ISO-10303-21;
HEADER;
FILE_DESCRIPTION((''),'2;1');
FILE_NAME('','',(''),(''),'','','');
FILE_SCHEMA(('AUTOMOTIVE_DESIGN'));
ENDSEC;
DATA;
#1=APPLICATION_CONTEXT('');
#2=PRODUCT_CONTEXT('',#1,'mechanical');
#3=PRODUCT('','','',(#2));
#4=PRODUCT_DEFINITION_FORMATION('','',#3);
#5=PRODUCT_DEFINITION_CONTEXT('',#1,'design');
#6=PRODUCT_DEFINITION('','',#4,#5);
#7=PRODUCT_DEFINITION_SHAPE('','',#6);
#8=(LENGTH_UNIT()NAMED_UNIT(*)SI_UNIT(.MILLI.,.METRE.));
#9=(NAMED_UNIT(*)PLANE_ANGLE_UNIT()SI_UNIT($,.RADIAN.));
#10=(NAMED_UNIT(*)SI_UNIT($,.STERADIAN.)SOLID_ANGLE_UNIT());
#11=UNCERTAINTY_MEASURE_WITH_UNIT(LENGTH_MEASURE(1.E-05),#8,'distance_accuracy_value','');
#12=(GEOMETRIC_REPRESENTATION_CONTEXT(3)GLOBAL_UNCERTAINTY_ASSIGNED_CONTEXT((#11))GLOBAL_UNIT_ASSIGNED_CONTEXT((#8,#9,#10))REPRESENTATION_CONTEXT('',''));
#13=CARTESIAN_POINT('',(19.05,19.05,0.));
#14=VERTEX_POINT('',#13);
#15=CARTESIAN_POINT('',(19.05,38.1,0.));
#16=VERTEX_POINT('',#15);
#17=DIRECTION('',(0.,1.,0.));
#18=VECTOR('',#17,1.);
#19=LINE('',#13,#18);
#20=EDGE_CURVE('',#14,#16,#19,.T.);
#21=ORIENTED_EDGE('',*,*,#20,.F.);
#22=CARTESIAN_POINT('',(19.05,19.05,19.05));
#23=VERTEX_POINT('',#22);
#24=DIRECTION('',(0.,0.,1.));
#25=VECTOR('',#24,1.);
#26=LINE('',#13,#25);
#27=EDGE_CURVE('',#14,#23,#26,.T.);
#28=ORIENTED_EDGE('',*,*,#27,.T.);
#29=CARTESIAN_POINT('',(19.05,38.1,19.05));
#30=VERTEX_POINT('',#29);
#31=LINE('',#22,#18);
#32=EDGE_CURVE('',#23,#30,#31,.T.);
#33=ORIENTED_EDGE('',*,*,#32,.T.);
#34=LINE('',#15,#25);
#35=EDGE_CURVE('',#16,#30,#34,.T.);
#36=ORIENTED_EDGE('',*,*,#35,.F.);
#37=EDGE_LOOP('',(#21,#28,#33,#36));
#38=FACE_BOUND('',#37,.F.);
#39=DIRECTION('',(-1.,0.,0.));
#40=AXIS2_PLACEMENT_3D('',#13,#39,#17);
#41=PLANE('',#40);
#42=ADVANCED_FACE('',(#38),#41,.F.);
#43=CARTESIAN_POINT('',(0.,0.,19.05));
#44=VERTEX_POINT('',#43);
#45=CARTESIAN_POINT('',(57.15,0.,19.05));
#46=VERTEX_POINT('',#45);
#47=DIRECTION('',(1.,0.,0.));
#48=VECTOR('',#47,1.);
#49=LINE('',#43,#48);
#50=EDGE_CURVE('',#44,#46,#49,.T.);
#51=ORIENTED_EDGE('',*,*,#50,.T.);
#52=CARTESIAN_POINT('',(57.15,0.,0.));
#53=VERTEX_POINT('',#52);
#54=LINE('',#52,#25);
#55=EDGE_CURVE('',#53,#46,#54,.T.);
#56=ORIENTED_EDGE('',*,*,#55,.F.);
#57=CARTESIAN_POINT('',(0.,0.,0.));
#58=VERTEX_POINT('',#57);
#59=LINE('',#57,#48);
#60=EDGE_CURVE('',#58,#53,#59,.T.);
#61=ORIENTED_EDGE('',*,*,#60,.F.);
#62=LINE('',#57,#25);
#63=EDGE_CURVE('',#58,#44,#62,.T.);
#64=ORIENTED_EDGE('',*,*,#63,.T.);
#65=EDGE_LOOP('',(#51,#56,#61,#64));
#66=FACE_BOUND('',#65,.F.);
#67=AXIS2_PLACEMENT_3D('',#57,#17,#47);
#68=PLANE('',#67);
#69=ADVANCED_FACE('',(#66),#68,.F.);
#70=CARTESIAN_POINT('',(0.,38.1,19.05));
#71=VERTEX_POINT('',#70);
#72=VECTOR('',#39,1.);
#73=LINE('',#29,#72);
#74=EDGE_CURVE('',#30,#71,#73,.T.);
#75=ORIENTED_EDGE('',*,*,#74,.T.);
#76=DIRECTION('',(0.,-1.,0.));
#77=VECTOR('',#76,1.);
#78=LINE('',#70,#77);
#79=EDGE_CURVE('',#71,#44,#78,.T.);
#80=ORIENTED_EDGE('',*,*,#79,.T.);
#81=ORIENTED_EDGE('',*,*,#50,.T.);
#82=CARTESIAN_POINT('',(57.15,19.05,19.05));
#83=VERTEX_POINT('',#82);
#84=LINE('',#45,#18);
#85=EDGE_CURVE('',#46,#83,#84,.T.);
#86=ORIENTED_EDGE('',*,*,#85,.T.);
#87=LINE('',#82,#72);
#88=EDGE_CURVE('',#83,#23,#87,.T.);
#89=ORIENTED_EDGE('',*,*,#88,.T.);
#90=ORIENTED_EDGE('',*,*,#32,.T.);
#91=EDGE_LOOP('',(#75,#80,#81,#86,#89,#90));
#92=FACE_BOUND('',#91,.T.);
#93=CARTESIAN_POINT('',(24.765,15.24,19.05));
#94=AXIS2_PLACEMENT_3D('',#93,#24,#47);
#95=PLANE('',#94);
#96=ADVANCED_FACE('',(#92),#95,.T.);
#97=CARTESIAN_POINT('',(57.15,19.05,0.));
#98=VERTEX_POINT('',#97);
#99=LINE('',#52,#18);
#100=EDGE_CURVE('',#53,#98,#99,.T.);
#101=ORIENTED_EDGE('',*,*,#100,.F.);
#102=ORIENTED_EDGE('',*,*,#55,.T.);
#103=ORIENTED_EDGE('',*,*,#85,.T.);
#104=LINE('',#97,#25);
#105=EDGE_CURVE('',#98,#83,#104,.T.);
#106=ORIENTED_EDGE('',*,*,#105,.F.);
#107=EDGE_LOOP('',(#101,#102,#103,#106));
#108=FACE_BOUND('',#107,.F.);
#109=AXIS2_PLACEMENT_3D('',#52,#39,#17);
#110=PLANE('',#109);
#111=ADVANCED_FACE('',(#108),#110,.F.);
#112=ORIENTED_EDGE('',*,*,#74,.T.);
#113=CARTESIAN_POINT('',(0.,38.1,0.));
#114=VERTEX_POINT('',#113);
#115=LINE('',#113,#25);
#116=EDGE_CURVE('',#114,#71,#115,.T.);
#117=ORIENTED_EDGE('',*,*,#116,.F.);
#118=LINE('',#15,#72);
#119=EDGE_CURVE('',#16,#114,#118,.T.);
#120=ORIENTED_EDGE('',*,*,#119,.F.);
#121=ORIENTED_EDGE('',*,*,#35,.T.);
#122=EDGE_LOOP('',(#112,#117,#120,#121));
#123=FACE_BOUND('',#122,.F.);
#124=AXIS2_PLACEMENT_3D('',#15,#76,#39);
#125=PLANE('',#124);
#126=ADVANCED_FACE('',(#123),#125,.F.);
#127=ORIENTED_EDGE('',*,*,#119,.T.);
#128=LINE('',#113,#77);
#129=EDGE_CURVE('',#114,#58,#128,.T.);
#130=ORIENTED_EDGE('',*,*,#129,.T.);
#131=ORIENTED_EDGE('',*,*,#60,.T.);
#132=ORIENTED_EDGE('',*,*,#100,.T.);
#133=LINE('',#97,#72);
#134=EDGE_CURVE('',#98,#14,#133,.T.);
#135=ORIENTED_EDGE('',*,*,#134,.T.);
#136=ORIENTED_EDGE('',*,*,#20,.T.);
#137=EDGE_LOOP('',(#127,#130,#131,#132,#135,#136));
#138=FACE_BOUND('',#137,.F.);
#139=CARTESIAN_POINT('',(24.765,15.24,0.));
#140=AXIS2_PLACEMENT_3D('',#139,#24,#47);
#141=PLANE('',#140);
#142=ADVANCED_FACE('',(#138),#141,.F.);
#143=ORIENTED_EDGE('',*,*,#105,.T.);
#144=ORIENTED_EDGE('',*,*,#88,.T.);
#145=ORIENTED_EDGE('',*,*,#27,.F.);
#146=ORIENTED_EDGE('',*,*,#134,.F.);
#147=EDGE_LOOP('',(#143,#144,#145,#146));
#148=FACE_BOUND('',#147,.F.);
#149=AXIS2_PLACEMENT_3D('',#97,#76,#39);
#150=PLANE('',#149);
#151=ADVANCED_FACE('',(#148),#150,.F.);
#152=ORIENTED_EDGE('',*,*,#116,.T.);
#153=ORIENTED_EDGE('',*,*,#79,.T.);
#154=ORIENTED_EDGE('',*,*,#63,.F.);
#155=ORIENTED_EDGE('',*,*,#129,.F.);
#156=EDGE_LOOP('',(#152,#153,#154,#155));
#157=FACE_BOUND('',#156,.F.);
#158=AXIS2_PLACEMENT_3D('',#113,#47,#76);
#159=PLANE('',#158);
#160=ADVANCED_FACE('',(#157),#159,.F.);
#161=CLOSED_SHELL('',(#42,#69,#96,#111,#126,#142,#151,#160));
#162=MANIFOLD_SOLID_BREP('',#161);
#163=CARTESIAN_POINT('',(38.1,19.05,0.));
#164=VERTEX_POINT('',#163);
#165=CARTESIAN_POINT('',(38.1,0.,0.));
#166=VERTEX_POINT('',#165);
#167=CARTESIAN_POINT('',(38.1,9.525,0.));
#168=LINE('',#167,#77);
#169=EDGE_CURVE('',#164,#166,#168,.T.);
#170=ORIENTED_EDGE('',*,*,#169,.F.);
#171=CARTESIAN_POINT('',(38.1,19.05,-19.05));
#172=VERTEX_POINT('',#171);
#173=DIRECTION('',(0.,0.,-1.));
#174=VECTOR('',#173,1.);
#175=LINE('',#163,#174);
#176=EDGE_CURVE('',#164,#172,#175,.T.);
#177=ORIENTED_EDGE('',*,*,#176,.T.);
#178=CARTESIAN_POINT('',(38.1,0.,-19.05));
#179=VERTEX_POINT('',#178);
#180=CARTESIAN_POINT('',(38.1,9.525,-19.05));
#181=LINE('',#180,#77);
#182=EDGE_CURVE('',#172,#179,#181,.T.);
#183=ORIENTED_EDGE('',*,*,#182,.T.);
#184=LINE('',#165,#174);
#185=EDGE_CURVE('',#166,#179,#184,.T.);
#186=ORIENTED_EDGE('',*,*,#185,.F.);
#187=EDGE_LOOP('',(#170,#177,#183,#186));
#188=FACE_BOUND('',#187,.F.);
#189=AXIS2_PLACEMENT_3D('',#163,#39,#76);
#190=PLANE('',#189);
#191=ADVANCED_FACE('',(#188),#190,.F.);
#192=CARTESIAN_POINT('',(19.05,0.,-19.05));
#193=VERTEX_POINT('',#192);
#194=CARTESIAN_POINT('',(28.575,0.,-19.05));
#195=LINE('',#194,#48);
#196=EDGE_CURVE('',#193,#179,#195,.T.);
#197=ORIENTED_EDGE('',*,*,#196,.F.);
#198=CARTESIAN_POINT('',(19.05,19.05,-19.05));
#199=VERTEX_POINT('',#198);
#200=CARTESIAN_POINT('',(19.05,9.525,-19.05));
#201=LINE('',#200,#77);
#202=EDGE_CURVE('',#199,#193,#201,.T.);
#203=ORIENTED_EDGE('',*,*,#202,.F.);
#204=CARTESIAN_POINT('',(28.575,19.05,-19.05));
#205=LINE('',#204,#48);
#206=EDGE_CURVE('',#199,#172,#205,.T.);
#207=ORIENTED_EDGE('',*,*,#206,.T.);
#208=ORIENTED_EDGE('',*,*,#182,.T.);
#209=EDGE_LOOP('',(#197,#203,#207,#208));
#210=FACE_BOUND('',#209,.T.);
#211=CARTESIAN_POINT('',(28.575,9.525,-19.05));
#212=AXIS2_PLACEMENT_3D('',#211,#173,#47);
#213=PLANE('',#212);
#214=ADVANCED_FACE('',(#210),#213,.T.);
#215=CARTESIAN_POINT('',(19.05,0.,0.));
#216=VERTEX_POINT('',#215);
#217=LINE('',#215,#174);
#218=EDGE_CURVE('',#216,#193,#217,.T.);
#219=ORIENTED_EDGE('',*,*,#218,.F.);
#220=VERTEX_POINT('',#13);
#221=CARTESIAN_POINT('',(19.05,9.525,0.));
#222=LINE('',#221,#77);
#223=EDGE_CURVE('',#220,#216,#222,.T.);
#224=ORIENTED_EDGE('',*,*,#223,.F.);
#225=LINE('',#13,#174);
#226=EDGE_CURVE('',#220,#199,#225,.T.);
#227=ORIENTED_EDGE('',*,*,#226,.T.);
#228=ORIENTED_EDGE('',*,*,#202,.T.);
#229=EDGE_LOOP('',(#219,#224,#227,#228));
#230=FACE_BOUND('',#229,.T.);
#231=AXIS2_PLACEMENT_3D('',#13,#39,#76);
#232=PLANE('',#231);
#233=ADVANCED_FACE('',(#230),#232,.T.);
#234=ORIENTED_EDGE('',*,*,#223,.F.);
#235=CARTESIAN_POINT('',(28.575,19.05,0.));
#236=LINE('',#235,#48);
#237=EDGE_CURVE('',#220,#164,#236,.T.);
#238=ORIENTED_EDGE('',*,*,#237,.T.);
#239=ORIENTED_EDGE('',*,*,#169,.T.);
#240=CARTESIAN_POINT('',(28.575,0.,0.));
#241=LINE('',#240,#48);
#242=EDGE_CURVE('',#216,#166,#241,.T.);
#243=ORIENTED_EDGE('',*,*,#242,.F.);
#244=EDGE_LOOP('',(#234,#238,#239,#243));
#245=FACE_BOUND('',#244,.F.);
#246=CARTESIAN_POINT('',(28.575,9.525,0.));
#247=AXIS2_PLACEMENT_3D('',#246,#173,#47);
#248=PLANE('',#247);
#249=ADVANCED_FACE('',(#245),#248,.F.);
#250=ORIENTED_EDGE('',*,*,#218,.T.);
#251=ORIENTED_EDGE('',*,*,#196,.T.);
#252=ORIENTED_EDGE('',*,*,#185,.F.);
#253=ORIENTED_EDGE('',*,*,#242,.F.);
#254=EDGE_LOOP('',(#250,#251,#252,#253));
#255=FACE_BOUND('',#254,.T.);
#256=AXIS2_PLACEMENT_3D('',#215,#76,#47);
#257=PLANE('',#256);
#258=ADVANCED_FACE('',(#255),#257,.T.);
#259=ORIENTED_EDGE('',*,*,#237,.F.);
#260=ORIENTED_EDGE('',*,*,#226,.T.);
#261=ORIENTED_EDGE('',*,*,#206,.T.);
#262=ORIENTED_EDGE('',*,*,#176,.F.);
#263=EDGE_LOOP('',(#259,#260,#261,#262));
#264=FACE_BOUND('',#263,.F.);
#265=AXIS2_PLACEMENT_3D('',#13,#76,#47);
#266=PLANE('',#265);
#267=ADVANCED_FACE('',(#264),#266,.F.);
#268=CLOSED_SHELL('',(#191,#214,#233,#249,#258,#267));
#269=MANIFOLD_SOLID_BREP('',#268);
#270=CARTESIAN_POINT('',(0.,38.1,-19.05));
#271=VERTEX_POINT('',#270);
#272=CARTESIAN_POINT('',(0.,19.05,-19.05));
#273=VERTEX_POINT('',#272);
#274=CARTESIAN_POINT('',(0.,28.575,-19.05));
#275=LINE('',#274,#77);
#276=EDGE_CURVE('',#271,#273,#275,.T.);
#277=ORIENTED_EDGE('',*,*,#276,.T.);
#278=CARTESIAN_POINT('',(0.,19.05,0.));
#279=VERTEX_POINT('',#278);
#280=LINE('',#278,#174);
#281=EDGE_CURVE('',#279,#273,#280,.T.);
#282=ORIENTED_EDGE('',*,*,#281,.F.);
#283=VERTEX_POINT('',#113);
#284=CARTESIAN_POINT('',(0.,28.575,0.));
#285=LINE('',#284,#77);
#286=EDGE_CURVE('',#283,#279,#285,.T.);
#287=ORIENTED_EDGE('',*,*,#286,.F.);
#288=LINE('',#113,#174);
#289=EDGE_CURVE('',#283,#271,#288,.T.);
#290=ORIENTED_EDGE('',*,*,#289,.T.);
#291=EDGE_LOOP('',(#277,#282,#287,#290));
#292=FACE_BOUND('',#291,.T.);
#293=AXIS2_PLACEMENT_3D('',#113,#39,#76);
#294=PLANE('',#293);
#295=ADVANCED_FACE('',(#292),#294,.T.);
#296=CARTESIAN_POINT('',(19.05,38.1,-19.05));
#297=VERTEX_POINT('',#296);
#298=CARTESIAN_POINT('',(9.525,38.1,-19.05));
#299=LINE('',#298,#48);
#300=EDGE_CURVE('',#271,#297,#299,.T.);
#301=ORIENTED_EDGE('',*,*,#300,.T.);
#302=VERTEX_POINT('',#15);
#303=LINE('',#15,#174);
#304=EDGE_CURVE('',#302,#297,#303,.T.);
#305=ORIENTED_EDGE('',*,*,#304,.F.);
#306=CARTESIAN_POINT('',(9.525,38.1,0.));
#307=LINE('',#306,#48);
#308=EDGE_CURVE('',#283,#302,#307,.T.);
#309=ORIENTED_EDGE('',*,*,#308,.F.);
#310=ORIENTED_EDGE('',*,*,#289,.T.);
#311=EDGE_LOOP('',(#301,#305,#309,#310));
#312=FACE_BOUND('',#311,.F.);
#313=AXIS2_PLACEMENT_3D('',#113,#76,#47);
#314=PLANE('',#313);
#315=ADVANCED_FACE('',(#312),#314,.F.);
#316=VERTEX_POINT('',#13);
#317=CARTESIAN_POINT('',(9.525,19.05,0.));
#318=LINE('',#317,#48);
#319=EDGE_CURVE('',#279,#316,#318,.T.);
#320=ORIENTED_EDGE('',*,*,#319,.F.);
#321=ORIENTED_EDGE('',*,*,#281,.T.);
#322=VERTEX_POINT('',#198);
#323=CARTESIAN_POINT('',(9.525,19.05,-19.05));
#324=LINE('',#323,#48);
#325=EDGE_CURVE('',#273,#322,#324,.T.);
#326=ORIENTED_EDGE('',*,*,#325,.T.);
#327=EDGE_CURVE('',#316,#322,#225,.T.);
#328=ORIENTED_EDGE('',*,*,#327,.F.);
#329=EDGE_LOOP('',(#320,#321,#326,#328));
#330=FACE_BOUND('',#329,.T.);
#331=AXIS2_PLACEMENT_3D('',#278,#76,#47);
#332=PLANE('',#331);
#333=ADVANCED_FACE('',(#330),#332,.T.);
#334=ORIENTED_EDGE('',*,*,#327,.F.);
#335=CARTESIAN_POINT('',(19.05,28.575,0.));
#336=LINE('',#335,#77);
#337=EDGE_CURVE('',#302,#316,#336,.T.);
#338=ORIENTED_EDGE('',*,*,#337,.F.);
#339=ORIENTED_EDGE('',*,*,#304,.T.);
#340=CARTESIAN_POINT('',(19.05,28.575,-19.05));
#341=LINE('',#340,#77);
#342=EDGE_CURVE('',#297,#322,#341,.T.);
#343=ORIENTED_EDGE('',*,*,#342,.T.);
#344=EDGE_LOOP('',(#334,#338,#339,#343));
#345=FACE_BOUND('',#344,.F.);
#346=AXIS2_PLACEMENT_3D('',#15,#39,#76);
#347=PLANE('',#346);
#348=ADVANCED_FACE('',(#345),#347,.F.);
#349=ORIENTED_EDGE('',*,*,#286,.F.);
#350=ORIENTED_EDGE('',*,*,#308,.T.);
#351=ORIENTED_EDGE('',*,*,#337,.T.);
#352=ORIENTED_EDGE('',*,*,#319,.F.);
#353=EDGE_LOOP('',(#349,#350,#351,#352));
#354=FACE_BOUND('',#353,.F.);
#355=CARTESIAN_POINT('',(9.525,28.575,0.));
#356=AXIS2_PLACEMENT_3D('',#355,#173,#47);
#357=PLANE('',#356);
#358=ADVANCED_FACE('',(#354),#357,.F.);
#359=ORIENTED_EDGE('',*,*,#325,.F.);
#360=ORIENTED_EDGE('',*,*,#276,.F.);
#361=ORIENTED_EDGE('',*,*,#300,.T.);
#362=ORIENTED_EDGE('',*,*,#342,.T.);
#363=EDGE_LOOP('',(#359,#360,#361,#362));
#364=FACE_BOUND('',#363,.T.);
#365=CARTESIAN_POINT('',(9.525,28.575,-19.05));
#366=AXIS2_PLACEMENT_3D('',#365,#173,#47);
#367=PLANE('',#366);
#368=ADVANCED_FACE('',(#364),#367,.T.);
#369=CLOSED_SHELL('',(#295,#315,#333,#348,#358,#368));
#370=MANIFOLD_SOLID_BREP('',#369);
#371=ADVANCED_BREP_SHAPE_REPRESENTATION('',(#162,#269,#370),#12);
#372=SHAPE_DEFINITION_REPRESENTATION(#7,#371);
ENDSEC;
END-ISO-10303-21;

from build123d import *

# Parameters (mm, degrees)
F1_DEPTH = 19.05
F2_W     = 19.05
F2_H     = 19.05
F3_DEPTH = 19.05


with BuildPart() as f1:
    # F0 (on Top) → F1 (new body)
    with BuildSketch(Plane.XY):
        Polygon((0, 38.1), (0, 0), (57.15, 0), (57.15, 19.05), (19.05, 19.05), (19.05, 38.1), align=None)
    extrude(amount=F1_DEPTH)


with BuildPart() as f3:
    # F2 (on face) → F3 (new body)
    with BuildSketch(Plane(origin=(0, 0, 0), x_dir=(1, 0, 0), z_dir=(0, 0, -1))):
        with Locations((9.525, -28.575)):
            Rectangle(F2_W, F2_H)
        with Locations((28.575, -9.525)):
            Rectangle(F2_W, F2_H)
    extrude(amount=F3_DEPTH)


solid = Compound([f1.part, f3.part])
